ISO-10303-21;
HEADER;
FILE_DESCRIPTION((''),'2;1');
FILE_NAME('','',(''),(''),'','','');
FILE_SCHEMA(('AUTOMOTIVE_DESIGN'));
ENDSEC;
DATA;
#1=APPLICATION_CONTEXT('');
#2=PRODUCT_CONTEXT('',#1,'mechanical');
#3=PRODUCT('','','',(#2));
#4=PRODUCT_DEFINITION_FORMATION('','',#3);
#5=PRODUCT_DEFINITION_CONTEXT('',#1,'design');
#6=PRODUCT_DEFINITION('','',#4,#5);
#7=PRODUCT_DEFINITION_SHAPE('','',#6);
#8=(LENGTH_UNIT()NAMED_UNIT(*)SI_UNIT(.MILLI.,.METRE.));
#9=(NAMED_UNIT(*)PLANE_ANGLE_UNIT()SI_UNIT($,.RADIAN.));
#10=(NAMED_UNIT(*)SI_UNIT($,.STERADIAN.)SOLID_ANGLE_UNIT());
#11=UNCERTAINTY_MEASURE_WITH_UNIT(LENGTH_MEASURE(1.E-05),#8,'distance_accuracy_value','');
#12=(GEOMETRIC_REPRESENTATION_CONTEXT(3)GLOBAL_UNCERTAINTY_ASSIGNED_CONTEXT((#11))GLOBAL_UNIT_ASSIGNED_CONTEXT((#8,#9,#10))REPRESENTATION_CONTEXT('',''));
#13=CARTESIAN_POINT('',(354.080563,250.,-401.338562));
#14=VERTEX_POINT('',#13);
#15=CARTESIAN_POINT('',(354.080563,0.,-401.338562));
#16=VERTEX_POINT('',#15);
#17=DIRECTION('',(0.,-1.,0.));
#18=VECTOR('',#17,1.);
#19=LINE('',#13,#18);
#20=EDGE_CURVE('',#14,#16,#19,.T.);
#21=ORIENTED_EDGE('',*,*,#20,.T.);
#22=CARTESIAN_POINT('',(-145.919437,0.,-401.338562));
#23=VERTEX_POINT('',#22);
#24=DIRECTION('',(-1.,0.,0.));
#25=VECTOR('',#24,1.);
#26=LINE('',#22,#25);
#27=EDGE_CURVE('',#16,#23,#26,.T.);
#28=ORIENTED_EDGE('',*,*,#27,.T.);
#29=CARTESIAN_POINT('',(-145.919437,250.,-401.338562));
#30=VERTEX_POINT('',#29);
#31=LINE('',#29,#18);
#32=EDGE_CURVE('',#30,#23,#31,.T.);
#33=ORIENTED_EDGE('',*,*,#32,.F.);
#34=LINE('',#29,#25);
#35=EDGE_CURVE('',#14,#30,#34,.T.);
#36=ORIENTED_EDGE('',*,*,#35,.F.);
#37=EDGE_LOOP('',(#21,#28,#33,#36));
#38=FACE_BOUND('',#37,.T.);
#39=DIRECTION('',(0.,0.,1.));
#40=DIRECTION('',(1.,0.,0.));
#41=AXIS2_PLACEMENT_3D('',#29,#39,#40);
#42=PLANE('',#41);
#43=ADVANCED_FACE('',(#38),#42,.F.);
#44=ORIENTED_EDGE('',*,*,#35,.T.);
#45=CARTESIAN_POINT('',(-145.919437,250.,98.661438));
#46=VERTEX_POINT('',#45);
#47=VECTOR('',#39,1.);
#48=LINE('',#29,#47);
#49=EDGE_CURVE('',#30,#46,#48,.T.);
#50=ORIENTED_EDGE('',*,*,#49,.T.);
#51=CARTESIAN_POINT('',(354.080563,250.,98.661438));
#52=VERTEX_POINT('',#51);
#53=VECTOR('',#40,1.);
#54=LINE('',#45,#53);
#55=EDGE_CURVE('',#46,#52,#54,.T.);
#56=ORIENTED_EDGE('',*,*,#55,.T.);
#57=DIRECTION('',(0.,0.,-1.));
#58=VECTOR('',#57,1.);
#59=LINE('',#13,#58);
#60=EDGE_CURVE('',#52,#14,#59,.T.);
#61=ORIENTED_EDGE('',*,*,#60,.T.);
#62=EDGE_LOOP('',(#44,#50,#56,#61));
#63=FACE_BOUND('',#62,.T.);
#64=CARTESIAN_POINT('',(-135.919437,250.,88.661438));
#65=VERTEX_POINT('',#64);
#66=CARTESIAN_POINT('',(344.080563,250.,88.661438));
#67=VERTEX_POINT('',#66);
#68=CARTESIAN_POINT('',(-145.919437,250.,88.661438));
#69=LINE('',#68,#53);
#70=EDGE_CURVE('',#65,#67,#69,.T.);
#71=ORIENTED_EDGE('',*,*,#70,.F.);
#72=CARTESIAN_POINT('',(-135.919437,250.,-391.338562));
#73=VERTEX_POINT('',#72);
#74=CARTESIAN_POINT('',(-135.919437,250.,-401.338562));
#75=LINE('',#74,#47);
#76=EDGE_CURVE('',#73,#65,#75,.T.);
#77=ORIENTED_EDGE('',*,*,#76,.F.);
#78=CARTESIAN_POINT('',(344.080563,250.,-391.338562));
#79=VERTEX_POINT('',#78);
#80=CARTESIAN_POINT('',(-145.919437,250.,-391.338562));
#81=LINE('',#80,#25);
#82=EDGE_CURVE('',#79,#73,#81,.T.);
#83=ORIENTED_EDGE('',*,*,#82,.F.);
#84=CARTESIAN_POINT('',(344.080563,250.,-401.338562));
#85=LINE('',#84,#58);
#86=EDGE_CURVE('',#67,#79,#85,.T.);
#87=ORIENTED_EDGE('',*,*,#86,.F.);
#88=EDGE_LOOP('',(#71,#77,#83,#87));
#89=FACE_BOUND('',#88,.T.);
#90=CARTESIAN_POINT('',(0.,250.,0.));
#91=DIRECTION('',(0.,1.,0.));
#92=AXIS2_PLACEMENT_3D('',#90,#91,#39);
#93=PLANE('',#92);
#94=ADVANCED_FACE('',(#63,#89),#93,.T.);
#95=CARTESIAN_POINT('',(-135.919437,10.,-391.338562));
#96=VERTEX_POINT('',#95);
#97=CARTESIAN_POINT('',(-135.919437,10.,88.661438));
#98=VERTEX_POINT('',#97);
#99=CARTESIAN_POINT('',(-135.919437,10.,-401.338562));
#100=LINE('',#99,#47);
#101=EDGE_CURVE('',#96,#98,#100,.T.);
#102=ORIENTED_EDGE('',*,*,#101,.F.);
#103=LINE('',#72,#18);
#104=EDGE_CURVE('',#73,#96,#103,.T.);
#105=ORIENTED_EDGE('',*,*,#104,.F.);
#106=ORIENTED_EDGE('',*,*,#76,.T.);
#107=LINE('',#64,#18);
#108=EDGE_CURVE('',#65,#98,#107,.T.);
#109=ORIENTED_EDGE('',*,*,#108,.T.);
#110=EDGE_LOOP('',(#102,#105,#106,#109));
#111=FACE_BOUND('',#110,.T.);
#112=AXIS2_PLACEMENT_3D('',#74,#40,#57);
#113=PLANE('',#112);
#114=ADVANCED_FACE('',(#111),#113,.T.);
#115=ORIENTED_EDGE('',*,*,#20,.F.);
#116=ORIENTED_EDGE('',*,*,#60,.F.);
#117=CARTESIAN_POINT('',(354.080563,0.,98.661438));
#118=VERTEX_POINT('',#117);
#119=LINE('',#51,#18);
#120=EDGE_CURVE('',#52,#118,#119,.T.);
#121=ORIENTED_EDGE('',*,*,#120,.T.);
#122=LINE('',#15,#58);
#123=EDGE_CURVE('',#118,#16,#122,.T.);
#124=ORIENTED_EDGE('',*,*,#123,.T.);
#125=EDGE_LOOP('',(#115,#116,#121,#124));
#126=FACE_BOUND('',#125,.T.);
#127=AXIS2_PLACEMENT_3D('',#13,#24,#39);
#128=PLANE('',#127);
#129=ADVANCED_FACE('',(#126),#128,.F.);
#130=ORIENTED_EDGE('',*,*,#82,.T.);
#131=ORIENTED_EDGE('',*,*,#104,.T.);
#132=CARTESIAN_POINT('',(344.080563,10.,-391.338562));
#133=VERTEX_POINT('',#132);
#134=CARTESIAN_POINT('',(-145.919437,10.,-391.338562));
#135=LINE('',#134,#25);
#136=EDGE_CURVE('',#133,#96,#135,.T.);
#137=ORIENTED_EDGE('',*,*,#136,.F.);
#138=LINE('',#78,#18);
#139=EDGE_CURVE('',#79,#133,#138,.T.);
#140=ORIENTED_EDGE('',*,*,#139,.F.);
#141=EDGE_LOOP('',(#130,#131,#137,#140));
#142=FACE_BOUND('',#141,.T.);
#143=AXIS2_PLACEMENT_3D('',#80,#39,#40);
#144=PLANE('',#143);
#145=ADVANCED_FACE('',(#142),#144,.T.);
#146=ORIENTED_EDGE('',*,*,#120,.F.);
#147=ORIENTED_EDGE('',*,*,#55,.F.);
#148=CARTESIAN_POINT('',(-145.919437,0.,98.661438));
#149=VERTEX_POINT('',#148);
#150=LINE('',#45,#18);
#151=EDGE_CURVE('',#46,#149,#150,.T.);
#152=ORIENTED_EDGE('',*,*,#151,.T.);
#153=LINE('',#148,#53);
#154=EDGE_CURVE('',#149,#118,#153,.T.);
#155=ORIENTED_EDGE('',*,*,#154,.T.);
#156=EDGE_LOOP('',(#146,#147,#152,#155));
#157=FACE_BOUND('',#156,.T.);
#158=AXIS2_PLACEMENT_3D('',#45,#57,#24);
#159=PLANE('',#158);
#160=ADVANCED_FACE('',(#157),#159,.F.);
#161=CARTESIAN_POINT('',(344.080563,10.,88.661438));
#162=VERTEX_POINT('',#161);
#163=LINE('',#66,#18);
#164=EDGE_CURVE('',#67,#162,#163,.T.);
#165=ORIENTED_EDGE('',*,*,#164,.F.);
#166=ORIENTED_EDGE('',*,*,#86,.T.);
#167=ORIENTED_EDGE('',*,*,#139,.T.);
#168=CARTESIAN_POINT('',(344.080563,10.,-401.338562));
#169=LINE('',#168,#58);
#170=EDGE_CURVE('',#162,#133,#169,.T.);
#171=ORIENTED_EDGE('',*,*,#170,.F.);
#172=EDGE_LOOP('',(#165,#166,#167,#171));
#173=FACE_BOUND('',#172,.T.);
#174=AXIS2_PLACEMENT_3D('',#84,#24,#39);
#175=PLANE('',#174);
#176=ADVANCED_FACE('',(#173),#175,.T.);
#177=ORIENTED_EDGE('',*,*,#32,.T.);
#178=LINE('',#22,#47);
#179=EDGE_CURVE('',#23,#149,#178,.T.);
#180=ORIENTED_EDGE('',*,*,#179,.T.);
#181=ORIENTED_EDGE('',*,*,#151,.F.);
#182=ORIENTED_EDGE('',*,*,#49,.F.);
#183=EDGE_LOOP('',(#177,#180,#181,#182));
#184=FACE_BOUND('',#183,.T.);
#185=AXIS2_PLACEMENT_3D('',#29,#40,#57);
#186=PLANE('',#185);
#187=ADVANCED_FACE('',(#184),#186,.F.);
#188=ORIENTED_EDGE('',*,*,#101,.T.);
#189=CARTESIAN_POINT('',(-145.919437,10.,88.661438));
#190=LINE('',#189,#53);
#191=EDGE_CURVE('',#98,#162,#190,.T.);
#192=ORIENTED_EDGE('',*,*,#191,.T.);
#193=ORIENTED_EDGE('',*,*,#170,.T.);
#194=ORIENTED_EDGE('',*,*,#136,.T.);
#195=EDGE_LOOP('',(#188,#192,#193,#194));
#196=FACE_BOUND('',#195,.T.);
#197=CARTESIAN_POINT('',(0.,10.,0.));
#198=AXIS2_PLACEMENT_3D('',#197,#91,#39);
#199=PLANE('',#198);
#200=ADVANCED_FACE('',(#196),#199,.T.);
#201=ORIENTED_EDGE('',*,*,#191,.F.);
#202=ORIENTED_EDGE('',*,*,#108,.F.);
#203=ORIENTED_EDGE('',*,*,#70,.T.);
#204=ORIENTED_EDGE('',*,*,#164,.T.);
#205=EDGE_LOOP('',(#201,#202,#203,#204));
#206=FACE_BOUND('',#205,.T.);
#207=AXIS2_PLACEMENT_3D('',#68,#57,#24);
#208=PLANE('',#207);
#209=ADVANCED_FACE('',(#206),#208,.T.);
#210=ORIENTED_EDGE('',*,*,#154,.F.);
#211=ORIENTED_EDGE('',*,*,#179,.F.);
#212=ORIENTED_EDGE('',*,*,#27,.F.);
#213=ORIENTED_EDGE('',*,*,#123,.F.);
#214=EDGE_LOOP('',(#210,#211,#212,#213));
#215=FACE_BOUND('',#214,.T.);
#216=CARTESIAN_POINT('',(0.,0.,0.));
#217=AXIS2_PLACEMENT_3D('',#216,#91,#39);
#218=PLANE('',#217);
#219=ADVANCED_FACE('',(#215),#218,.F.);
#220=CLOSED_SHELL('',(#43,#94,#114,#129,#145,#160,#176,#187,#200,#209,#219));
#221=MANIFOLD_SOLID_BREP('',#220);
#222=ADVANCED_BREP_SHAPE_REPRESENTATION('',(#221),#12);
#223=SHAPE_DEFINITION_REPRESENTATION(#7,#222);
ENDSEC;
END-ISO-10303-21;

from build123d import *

# Parameters (mm, degrees)
ESQUISSE1_W        = 500
ESQUISSE1_H        = 500
BOSS_EXTRU_1_DEPTH = 250
COQUE1_T           = -10


with BuildPart() as part:
    # Esquisse1 → Boss.-Extru.1 (new body)
    with BuildSketch(Plane(origin=(0, 0, 0), x_dir=(1, 0, 0), z_dir=(0, 1, 0))):
        with Locations((104.080562725, 151.338562297)):
            Rectangle(ESQUISSE1_W, ESQUISSE1_H)
    extrude(amount=BOSS_EXTRU_1_DEPTH)

    # Coque1
    coque1_openings = [part.faces().sort_by_distance(p)[0] for p in [
        (104.080562725, 250, -151.338562297),
    ]]
    offset(amount=COQUE1_T, openings=coque1_openings, kind=Kind.INTERSECTION)


solid = part.part
